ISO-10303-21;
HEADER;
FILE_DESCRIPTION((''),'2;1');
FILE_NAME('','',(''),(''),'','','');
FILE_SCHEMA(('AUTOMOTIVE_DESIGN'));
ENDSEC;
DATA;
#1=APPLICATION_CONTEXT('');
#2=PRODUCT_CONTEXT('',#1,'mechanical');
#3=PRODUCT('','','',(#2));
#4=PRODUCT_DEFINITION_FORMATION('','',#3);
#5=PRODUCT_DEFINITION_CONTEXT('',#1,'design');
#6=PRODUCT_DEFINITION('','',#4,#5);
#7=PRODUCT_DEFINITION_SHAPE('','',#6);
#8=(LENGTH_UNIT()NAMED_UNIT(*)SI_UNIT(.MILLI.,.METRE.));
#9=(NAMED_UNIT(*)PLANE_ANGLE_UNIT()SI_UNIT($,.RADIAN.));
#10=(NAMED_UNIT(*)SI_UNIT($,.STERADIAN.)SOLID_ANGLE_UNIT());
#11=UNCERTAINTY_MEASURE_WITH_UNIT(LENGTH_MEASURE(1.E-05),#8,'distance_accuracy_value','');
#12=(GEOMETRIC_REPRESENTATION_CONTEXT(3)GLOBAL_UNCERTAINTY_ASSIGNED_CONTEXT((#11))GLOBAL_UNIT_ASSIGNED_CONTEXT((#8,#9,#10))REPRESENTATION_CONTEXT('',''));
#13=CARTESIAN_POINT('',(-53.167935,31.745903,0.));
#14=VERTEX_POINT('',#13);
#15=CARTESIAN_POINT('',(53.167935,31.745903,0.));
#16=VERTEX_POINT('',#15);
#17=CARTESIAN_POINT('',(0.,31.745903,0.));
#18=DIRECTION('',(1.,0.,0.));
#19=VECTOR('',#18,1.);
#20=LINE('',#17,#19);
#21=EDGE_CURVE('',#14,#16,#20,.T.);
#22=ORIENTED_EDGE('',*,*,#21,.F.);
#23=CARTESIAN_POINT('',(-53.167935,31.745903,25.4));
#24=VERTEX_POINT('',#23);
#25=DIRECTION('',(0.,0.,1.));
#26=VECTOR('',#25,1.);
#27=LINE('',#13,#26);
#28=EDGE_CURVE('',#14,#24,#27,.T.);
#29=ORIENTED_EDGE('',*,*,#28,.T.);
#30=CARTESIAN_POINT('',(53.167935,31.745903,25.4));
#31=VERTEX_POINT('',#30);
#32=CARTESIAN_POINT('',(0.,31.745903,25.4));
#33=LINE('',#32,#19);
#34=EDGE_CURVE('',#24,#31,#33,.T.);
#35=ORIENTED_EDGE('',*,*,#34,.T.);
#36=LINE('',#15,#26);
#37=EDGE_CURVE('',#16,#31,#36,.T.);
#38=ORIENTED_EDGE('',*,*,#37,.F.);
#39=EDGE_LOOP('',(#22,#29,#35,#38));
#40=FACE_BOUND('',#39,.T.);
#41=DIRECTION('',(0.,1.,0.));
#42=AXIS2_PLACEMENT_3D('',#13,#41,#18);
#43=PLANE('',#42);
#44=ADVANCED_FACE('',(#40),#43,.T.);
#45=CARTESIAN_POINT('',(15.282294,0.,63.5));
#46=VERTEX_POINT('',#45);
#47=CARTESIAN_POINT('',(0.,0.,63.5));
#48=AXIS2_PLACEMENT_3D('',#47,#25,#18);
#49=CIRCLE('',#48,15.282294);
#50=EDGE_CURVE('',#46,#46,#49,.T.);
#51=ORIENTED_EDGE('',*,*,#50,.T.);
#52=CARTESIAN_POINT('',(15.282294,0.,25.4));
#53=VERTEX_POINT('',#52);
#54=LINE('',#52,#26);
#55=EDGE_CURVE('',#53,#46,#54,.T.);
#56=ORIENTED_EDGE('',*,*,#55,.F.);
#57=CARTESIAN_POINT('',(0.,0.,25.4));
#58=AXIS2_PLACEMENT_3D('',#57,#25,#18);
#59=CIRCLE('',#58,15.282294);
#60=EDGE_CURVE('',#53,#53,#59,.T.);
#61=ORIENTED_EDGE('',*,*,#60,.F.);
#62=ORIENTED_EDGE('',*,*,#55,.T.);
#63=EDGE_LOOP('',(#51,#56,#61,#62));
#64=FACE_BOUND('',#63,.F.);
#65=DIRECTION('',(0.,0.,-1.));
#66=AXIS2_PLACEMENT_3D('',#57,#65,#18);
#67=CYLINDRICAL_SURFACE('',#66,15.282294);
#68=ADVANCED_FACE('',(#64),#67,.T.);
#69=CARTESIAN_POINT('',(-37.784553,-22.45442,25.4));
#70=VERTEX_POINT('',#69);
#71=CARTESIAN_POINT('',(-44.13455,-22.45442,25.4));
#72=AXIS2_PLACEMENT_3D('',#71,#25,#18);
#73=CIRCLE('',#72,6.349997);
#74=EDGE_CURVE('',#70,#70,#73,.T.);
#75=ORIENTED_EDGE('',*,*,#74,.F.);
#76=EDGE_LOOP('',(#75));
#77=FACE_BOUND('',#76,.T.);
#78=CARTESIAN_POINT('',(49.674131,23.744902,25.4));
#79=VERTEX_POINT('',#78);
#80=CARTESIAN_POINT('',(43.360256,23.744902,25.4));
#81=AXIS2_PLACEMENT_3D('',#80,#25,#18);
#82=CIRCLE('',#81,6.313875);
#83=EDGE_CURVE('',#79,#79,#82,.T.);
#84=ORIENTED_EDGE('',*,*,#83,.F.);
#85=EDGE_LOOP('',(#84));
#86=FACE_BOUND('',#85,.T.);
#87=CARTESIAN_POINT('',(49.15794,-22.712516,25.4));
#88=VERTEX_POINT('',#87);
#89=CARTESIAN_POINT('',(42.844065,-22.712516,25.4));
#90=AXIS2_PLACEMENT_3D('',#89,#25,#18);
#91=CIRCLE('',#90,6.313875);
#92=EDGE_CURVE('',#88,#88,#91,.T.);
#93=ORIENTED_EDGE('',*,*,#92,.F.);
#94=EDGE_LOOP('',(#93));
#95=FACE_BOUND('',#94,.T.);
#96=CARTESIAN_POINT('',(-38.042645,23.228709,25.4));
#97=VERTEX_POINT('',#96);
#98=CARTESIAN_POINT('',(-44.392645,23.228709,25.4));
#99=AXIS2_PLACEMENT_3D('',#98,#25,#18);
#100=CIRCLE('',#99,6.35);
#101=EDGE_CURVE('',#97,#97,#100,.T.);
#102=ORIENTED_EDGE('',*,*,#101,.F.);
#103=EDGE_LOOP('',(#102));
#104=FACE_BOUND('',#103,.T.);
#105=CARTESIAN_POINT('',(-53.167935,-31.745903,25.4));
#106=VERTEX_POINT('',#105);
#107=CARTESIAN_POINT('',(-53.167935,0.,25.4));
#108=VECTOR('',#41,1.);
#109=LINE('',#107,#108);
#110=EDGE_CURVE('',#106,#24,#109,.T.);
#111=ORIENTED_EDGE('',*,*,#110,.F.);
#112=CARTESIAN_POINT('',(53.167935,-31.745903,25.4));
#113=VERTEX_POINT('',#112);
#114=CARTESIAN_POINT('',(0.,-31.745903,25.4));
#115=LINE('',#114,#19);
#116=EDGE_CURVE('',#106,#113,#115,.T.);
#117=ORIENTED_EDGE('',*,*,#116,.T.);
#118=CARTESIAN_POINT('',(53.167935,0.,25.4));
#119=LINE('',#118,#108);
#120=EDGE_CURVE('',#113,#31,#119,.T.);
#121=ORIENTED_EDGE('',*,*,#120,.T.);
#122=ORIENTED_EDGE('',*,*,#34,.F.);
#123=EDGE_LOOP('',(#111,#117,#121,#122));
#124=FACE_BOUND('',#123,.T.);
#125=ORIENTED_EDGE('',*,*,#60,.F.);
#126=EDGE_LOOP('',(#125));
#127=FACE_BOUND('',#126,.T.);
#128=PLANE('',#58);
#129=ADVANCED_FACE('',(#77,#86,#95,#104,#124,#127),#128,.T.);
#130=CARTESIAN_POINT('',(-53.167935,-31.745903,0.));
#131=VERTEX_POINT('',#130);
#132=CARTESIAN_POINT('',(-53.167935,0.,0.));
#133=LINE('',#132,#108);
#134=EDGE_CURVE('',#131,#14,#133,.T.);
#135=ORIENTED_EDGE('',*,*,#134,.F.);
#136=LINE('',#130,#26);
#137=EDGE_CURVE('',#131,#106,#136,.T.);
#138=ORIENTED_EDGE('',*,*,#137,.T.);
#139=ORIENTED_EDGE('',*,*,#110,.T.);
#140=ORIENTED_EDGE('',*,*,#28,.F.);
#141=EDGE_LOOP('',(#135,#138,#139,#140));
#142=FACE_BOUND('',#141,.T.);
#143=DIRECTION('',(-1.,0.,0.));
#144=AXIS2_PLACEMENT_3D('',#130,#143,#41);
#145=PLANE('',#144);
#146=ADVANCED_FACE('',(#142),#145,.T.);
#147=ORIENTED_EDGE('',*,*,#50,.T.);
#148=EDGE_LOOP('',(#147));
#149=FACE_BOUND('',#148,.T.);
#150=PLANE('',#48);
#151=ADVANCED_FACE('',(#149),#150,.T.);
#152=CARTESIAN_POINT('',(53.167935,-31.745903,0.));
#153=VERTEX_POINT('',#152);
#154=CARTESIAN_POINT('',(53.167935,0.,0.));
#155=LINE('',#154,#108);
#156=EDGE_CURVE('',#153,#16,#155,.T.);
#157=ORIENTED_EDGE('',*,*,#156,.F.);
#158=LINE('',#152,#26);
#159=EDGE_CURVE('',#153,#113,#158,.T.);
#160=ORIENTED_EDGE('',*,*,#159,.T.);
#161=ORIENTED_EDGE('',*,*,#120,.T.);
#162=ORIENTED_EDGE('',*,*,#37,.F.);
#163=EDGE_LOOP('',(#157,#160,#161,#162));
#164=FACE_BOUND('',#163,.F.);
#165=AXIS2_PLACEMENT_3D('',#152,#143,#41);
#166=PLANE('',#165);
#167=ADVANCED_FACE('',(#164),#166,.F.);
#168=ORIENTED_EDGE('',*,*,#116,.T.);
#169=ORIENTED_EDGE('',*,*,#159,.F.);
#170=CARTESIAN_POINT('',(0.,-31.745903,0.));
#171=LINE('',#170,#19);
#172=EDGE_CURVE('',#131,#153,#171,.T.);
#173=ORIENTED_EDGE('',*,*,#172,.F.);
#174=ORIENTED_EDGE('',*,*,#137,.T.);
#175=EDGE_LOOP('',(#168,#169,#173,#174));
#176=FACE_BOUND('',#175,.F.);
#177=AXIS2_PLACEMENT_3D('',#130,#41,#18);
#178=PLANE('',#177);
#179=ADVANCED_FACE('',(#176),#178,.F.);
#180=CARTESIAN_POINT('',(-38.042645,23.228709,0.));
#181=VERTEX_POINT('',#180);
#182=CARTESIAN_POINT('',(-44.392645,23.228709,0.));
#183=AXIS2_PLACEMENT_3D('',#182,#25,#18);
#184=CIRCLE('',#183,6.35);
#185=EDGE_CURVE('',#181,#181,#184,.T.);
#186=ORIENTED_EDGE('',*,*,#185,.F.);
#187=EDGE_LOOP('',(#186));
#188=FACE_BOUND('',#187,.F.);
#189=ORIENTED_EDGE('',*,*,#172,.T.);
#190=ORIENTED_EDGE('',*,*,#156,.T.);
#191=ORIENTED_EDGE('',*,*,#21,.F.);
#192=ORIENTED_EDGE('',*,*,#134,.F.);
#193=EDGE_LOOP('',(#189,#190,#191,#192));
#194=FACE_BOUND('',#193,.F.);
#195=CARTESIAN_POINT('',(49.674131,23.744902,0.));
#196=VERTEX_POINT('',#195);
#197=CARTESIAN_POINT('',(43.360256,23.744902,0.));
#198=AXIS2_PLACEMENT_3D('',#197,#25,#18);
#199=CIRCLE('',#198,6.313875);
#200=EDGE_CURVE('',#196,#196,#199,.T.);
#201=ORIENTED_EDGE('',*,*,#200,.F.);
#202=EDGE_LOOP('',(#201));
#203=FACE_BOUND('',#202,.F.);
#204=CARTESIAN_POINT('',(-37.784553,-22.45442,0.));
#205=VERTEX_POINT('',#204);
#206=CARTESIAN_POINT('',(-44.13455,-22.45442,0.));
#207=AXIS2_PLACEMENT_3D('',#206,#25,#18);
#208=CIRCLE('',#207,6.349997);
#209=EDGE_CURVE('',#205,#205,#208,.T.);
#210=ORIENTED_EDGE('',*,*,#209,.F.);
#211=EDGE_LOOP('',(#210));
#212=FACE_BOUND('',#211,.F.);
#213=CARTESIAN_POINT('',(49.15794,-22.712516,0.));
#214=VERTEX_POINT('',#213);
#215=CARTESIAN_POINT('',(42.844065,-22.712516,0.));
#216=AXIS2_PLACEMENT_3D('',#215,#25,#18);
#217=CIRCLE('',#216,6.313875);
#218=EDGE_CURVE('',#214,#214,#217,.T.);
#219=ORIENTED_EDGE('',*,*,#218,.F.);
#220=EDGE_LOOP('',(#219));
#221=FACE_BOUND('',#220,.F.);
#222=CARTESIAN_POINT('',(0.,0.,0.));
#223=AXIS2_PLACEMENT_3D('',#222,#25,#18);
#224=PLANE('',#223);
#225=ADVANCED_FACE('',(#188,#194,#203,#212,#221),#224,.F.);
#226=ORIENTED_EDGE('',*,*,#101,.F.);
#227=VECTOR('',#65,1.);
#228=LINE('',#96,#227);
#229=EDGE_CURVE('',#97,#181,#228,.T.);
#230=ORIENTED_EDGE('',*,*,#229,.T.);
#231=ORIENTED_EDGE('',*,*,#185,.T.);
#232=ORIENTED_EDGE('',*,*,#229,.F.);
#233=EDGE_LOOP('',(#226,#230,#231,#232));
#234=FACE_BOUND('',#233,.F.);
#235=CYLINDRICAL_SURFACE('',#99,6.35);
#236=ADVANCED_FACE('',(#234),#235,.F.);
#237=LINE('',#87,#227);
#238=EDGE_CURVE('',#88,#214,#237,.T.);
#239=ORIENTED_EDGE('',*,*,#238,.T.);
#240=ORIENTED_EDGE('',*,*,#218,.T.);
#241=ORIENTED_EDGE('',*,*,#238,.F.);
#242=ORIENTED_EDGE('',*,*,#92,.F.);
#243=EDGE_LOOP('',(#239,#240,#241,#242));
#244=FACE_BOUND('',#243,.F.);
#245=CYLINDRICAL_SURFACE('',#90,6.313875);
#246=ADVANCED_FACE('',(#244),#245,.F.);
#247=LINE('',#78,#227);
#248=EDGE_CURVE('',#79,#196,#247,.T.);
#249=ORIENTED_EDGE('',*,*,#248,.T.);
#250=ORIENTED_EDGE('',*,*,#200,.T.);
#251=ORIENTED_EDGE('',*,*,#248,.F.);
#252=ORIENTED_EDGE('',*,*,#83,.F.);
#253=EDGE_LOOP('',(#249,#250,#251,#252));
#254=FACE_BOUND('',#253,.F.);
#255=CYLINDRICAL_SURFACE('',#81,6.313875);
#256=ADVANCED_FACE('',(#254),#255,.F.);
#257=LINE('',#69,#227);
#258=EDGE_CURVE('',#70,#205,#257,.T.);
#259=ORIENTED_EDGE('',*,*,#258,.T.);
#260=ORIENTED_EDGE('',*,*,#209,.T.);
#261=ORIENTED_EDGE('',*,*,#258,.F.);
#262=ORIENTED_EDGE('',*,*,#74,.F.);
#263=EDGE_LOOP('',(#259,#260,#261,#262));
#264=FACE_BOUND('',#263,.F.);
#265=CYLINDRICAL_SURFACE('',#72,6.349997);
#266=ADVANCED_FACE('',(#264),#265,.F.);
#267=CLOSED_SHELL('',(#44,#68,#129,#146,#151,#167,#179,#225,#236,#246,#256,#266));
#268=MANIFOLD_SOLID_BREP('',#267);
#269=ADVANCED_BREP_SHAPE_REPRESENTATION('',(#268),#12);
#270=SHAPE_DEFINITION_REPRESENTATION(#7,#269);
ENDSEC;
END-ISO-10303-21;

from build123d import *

# Parameters (mm, degrees)
F0_W     = 106.33587
F0_H     = 63.491806
F1_DEPTH = 25.4
F2_R     = 6.35
F2_R_2   = 6.349997
F2_R_3   = 6.313875
F3_DEPTH = 25.4
F4_R     = 15.282294
F5_DEPTH = 38.1


with BuildPart() as f1:
    # F0 (on Top) → F1 (new body)
    with BuildSketch(Plane.XY):
        Rectangle(F0_W, F0_H)
    extrude(amount=F1_DEPTH)

    # F2 (on face) → F3 (cut)
    with BuildSketch(Plane.XY.offset(25.4)):
        with Locations((-44.392645, 23.228709)):
            Circle(F2_R)
        with Locations((-44.13455, -22.45442)):
            Circle(F2_R_2)
        with Locations((43.360256, 23.744902)):
            Circle(F2_R_3)
        with Locations((42.844065, -22.712516)):
            Circle(F2_R_3)
    extrude(amount=-F3_DEPTH, mode=Mode.SUBTRACT)

    # F4 (on face) → F5 (join)
    with BuildSketch(Plane.XY.offset(25.4)):
        Circle(F4_R)
    extrude(amount=F5_DEPTH)


solid = f1.part
